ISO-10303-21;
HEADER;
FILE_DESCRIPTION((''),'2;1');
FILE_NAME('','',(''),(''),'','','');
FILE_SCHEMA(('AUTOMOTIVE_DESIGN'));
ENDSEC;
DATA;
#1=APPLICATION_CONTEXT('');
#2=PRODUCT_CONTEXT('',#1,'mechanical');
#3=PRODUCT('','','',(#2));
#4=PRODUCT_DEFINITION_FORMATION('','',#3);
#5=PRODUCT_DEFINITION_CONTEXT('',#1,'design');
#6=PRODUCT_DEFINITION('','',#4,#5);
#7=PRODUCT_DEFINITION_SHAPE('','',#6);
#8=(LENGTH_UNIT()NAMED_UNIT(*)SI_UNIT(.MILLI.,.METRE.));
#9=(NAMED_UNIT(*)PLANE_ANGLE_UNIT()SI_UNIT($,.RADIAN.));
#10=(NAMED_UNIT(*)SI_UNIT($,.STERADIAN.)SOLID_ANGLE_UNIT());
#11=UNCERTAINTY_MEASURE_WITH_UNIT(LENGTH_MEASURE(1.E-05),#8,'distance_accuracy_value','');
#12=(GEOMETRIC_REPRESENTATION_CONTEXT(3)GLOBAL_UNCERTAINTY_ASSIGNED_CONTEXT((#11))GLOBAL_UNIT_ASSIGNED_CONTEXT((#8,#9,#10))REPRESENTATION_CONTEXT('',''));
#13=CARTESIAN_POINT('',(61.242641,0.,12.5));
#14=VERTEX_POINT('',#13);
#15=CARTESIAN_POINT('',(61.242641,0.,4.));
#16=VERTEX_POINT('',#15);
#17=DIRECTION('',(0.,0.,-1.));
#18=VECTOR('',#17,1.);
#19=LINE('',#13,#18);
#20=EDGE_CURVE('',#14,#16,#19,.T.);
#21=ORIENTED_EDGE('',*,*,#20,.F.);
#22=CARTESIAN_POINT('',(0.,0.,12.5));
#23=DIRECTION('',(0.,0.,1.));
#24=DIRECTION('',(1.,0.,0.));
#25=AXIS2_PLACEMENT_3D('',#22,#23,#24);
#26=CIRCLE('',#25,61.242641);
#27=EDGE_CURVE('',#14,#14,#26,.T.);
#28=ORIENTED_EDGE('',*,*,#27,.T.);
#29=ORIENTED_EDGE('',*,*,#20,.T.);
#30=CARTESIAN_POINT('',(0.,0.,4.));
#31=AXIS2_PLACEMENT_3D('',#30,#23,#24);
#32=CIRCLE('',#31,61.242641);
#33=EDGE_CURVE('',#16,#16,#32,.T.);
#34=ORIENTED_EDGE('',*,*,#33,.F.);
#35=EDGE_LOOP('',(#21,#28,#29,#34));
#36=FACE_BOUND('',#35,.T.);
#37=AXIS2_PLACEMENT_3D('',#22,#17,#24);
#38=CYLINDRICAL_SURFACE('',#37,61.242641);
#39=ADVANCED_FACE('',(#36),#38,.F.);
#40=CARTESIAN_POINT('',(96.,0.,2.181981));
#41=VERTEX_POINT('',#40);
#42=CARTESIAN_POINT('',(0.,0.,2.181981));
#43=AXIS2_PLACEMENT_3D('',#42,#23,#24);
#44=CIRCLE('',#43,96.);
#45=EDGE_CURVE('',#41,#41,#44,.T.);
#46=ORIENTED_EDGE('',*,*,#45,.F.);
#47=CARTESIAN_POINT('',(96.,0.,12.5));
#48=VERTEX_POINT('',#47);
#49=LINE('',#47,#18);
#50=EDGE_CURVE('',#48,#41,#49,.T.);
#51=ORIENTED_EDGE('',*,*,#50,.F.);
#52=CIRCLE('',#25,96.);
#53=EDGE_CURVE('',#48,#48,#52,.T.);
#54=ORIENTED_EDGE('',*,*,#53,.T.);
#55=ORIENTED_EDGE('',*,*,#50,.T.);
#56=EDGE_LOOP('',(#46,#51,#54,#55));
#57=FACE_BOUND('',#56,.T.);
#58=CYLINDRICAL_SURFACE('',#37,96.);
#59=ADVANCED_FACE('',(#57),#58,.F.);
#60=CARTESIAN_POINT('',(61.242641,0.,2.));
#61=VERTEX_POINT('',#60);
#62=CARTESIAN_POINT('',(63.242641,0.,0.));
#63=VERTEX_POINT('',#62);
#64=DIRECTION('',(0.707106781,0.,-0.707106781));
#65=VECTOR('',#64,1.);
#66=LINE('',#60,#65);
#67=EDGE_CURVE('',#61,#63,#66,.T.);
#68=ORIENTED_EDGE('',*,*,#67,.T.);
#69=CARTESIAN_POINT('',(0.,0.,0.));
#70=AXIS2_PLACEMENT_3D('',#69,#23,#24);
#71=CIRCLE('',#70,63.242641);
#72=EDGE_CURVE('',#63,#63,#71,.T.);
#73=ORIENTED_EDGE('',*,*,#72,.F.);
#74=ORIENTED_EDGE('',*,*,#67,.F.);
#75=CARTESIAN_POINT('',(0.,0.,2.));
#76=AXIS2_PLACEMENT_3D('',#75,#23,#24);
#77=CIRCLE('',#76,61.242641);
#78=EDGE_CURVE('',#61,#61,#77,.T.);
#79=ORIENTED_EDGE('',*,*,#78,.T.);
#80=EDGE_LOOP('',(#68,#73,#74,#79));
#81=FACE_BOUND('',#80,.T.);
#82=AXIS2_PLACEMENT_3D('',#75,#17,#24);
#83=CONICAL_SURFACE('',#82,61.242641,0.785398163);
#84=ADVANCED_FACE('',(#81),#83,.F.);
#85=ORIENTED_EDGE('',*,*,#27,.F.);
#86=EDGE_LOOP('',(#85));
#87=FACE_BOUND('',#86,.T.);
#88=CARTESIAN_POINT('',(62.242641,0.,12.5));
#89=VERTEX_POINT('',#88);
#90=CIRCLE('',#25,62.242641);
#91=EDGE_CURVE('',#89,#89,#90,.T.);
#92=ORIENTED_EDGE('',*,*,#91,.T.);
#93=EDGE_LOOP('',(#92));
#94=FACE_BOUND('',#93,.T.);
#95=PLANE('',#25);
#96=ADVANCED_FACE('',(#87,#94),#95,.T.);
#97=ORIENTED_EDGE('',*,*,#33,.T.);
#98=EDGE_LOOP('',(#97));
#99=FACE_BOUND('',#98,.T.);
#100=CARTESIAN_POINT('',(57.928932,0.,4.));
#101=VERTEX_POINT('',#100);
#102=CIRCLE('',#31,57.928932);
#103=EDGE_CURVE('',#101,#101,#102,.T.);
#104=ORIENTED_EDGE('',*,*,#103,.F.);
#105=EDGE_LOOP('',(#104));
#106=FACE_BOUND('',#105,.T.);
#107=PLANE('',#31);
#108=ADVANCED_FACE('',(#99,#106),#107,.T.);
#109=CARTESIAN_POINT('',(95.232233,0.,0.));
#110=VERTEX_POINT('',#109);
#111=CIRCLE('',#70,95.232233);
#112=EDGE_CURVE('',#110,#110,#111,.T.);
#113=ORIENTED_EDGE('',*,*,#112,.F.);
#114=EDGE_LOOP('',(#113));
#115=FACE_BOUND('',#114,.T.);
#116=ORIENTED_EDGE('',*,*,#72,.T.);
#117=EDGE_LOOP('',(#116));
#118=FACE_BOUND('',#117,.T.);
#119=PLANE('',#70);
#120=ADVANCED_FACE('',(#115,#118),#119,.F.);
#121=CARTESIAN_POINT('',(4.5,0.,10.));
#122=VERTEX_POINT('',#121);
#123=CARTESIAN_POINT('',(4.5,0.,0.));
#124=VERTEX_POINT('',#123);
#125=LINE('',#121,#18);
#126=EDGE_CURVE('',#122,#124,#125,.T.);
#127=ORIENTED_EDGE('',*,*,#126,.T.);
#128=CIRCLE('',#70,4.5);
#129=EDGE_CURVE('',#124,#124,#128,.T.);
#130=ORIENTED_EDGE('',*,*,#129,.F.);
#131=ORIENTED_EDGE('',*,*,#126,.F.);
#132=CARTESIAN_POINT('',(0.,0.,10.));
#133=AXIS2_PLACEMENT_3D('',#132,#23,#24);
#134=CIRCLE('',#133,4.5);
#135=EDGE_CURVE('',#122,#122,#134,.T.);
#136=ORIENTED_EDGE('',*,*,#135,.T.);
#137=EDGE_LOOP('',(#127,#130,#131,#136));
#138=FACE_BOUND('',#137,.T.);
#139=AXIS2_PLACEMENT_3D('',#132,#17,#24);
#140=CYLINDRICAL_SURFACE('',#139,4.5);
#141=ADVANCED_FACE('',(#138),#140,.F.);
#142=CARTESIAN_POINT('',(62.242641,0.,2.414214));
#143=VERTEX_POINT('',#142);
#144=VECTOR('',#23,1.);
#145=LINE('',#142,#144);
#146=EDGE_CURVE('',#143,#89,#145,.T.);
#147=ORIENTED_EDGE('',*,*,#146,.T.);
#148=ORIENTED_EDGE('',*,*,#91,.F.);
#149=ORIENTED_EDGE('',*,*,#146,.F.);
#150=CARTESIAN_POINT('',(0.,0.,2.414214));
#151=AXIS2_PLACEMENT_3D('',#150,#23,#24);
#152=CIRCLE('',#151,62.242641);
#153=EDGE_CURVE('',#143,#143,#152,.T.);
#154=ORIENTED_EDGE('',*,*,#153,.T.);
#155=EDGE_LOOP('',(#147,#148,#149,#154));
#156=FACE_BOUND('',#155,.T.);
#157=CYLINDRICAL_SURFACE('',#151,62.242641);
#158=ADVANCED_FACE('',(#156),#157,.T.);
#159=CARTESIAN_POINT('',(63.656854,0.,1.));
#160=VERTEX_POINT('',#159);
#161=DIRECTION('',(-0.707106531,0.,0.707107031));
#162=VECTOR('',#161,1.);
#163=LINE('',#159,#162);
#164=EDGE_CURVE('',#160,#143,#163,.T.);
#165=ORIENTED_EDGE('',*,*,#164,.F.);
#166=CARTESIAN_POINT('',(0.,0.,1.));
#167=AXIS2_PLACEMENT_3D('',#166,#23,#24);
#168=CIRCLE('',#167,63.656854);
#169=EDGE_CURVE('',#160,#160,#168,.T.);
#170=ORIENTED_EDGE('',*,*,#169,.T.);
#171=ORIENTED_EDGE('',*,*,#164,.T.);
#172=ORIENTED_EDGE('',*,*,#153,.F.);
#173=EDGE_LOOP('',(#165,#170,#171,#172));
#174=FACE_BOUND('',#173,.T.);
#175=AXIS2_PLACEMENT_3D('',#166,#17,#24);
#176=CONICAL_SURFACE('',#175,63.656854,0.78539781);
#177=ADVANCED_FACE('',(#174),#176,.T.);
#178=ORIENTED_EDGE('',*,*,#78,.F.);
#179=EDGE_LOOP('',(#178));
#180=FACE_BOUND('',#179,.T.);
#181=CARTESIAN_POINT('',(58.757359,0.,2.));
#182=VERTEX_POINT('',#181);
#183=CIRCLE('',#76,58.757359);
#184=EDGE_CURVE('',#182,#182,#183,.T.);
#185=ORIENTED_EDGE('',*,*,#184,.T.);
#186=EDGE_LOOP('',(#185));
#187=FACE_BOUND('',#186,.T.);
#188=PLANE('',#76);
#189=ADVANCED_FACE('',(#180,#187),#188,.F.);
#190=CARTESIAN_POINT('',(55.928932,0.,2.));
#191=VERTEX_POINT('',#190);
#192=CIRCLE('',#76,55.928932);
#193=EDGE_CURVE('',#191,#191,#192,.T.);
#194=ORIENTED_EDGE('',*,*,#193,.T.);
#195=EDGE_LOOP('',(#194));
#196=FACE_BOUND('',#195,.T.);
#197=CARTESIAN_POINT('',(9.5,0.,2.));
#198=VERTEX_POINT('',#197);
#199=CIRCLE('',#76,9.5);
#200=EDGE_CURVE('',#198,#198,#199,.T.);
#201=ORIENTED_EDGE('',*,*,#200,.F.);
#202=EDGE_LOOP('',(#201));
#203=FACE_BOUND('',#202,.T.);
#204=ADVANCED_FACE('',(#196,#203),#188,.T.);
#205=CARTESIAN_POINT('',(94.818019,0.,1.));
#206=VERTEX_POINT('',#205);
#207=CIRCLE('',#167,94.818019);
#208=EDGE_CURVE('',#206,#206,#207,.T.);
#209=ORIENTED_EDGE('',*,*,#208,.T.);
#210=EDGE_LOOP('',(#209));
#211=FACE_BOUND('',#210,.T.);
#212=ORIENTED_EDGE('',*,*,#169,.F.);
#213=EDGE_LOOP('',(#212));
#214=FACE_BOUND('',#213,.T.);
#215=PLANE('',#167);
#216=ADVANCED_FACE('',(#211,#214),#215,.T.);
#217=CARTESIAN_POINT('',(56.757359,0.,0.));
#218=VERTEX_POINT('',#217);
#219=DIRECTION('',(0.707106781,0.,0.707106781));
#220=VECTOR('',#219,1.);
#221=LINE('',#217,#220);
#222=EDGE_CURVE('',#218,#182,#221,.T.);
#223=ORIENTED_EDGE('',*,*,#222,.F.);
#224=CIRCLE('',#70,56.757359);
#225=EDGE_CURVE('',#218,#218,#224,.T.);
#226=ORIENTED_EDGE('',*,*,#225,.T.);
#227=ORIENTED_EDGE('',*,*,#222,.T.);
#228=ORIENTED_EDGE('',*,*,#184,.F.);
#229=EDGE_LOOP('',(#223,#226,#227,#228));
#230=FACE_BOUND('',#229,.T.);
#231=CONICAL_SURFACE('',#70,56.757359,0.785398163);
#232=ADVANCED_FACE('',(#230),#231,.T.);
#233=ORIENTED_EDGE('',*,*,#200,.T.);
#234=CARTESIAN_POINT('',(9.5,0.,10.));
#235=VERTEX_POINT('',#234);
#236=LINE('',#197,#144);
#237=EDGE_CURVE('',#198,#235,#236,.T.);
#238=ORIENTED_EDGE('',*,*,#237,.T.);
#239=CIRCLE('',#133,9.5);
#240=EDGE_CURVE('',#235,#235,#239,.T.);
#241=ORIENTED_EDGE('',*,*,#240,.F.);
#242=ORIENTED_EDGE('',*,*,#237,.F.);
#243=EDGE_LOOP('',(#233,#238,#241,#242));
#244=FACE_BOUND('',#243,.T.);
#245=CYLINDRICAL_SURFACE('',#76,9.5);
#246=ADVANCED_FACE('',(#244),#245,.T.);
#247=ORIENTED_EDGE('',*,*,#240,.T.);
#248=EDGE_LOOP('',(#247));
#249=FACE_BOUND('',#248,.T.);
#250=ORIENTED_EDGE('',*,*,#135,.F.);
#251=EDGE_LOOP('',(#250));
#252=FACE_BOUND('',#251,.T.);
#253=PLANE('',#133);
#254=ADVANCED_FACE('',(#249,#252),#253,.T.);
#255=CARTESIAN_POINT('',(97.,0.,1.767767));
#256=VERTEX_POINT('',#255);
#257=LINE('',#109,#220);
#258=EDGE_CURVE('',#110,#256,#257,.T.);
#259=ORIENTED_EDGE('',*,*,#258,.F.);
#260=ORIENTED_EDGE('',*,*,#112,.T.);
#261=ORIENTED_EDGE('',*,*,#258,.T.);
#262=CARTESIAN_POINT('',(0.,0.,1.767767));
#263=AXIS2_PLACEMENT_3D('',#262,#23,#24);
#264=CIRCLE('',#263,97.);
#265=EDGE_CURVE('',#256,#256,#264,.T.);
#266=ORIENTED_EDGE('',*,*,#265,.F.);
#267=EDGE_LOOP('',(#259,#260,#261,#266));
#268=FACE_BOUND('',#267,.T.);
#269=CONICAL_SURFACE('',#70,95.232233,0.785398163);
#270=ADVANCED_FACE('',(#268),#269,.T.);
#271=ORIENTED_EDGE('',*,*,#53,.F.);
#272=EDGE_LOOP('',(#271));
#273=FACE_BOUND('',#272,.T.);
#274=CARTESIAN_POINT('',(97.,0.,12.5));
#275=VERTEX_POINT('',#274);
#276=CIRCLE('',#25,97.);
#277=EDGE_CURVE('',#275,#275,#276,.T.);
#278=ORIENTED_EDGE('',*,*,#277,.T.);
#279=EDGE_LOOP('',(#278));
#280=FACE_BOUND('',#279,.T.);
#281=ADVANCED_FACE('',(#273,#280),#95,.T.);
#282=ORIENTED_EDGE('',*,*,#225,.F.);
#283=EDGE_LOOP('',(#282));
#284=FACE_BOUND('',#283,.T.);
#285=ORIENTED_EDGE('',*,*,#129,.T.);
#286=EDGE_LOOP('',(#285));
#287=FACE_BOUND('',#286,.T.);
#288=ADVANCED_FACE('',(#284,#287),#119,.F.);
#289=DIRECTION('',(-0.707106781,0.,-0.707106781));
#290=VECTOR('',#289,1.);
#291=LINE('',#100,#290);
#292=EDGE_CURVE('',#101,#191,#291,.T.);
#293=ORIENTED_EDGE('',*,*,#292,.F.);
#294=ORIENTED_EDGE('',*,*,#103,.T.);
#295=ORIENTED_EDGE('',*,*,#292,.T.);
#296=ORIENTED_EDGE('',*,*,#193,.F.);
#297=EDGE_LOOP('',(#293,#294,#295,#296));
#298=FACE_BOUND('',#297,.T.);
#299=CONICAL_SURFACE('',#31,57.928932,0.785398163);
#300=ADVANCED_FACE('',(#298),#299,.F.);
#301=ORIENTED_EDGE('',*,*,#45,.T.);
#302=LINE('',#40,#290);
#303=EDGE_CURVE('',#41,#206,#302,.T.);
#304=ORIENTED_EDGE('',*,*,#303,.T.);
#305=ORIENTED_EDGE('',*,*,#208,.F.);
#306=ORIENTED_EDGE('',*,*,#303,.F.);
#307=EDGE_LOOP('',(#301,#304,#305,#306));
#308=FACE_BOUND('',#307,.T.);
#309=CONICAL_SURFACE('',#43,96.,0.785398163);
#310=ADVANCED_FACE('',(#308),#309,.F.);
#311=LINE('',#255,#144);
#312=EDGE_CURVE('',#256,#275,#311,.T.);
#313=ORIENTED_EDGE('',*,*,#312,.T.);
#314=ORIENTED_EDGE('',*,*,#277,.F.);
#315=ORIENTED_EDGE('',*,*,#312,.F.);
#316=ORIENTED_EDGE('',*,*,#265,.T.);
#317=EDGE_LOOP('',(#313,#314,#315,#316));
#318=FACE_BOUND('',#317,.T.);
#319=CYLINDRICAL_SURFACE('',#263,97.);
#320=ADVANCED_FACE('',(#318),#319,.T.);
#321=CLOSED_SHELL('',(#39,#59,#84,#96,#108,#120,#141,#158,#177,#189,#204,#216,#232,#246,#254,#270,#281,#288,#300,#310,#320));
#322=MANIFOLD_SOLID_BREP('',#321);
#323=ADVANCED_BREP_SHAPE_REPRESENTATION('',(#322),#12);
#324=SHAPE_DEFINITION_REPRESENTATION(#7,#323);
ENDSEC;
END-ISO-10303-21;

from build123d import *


with BuildPart() as part:
    # Sketch → Revolution (revolve)
    with BuildSketch(Plane.XZ):
        Polygon((4.5, 10), (4.5, 0), (56.757359, 0), (58.757359, 2), (61.242641, 2), (63.242641, 0), (95.232233, 0), (97, 1.767767), (97, 12.5), (96, 12.5), (96, 2.181981), (94.818019, 1), (63.656854, 1), (62.242641, 2.414214), (62.242641, 12.5), (61.242641, 12.5), (61.242641, 4), (57.928932, 4), (55.928932, 2), (9.5, 2), (9.5, 10), align=None)
    revolve(axis=Axis((0, 0, 0), (0, 0, 1)))


solid = part.part
